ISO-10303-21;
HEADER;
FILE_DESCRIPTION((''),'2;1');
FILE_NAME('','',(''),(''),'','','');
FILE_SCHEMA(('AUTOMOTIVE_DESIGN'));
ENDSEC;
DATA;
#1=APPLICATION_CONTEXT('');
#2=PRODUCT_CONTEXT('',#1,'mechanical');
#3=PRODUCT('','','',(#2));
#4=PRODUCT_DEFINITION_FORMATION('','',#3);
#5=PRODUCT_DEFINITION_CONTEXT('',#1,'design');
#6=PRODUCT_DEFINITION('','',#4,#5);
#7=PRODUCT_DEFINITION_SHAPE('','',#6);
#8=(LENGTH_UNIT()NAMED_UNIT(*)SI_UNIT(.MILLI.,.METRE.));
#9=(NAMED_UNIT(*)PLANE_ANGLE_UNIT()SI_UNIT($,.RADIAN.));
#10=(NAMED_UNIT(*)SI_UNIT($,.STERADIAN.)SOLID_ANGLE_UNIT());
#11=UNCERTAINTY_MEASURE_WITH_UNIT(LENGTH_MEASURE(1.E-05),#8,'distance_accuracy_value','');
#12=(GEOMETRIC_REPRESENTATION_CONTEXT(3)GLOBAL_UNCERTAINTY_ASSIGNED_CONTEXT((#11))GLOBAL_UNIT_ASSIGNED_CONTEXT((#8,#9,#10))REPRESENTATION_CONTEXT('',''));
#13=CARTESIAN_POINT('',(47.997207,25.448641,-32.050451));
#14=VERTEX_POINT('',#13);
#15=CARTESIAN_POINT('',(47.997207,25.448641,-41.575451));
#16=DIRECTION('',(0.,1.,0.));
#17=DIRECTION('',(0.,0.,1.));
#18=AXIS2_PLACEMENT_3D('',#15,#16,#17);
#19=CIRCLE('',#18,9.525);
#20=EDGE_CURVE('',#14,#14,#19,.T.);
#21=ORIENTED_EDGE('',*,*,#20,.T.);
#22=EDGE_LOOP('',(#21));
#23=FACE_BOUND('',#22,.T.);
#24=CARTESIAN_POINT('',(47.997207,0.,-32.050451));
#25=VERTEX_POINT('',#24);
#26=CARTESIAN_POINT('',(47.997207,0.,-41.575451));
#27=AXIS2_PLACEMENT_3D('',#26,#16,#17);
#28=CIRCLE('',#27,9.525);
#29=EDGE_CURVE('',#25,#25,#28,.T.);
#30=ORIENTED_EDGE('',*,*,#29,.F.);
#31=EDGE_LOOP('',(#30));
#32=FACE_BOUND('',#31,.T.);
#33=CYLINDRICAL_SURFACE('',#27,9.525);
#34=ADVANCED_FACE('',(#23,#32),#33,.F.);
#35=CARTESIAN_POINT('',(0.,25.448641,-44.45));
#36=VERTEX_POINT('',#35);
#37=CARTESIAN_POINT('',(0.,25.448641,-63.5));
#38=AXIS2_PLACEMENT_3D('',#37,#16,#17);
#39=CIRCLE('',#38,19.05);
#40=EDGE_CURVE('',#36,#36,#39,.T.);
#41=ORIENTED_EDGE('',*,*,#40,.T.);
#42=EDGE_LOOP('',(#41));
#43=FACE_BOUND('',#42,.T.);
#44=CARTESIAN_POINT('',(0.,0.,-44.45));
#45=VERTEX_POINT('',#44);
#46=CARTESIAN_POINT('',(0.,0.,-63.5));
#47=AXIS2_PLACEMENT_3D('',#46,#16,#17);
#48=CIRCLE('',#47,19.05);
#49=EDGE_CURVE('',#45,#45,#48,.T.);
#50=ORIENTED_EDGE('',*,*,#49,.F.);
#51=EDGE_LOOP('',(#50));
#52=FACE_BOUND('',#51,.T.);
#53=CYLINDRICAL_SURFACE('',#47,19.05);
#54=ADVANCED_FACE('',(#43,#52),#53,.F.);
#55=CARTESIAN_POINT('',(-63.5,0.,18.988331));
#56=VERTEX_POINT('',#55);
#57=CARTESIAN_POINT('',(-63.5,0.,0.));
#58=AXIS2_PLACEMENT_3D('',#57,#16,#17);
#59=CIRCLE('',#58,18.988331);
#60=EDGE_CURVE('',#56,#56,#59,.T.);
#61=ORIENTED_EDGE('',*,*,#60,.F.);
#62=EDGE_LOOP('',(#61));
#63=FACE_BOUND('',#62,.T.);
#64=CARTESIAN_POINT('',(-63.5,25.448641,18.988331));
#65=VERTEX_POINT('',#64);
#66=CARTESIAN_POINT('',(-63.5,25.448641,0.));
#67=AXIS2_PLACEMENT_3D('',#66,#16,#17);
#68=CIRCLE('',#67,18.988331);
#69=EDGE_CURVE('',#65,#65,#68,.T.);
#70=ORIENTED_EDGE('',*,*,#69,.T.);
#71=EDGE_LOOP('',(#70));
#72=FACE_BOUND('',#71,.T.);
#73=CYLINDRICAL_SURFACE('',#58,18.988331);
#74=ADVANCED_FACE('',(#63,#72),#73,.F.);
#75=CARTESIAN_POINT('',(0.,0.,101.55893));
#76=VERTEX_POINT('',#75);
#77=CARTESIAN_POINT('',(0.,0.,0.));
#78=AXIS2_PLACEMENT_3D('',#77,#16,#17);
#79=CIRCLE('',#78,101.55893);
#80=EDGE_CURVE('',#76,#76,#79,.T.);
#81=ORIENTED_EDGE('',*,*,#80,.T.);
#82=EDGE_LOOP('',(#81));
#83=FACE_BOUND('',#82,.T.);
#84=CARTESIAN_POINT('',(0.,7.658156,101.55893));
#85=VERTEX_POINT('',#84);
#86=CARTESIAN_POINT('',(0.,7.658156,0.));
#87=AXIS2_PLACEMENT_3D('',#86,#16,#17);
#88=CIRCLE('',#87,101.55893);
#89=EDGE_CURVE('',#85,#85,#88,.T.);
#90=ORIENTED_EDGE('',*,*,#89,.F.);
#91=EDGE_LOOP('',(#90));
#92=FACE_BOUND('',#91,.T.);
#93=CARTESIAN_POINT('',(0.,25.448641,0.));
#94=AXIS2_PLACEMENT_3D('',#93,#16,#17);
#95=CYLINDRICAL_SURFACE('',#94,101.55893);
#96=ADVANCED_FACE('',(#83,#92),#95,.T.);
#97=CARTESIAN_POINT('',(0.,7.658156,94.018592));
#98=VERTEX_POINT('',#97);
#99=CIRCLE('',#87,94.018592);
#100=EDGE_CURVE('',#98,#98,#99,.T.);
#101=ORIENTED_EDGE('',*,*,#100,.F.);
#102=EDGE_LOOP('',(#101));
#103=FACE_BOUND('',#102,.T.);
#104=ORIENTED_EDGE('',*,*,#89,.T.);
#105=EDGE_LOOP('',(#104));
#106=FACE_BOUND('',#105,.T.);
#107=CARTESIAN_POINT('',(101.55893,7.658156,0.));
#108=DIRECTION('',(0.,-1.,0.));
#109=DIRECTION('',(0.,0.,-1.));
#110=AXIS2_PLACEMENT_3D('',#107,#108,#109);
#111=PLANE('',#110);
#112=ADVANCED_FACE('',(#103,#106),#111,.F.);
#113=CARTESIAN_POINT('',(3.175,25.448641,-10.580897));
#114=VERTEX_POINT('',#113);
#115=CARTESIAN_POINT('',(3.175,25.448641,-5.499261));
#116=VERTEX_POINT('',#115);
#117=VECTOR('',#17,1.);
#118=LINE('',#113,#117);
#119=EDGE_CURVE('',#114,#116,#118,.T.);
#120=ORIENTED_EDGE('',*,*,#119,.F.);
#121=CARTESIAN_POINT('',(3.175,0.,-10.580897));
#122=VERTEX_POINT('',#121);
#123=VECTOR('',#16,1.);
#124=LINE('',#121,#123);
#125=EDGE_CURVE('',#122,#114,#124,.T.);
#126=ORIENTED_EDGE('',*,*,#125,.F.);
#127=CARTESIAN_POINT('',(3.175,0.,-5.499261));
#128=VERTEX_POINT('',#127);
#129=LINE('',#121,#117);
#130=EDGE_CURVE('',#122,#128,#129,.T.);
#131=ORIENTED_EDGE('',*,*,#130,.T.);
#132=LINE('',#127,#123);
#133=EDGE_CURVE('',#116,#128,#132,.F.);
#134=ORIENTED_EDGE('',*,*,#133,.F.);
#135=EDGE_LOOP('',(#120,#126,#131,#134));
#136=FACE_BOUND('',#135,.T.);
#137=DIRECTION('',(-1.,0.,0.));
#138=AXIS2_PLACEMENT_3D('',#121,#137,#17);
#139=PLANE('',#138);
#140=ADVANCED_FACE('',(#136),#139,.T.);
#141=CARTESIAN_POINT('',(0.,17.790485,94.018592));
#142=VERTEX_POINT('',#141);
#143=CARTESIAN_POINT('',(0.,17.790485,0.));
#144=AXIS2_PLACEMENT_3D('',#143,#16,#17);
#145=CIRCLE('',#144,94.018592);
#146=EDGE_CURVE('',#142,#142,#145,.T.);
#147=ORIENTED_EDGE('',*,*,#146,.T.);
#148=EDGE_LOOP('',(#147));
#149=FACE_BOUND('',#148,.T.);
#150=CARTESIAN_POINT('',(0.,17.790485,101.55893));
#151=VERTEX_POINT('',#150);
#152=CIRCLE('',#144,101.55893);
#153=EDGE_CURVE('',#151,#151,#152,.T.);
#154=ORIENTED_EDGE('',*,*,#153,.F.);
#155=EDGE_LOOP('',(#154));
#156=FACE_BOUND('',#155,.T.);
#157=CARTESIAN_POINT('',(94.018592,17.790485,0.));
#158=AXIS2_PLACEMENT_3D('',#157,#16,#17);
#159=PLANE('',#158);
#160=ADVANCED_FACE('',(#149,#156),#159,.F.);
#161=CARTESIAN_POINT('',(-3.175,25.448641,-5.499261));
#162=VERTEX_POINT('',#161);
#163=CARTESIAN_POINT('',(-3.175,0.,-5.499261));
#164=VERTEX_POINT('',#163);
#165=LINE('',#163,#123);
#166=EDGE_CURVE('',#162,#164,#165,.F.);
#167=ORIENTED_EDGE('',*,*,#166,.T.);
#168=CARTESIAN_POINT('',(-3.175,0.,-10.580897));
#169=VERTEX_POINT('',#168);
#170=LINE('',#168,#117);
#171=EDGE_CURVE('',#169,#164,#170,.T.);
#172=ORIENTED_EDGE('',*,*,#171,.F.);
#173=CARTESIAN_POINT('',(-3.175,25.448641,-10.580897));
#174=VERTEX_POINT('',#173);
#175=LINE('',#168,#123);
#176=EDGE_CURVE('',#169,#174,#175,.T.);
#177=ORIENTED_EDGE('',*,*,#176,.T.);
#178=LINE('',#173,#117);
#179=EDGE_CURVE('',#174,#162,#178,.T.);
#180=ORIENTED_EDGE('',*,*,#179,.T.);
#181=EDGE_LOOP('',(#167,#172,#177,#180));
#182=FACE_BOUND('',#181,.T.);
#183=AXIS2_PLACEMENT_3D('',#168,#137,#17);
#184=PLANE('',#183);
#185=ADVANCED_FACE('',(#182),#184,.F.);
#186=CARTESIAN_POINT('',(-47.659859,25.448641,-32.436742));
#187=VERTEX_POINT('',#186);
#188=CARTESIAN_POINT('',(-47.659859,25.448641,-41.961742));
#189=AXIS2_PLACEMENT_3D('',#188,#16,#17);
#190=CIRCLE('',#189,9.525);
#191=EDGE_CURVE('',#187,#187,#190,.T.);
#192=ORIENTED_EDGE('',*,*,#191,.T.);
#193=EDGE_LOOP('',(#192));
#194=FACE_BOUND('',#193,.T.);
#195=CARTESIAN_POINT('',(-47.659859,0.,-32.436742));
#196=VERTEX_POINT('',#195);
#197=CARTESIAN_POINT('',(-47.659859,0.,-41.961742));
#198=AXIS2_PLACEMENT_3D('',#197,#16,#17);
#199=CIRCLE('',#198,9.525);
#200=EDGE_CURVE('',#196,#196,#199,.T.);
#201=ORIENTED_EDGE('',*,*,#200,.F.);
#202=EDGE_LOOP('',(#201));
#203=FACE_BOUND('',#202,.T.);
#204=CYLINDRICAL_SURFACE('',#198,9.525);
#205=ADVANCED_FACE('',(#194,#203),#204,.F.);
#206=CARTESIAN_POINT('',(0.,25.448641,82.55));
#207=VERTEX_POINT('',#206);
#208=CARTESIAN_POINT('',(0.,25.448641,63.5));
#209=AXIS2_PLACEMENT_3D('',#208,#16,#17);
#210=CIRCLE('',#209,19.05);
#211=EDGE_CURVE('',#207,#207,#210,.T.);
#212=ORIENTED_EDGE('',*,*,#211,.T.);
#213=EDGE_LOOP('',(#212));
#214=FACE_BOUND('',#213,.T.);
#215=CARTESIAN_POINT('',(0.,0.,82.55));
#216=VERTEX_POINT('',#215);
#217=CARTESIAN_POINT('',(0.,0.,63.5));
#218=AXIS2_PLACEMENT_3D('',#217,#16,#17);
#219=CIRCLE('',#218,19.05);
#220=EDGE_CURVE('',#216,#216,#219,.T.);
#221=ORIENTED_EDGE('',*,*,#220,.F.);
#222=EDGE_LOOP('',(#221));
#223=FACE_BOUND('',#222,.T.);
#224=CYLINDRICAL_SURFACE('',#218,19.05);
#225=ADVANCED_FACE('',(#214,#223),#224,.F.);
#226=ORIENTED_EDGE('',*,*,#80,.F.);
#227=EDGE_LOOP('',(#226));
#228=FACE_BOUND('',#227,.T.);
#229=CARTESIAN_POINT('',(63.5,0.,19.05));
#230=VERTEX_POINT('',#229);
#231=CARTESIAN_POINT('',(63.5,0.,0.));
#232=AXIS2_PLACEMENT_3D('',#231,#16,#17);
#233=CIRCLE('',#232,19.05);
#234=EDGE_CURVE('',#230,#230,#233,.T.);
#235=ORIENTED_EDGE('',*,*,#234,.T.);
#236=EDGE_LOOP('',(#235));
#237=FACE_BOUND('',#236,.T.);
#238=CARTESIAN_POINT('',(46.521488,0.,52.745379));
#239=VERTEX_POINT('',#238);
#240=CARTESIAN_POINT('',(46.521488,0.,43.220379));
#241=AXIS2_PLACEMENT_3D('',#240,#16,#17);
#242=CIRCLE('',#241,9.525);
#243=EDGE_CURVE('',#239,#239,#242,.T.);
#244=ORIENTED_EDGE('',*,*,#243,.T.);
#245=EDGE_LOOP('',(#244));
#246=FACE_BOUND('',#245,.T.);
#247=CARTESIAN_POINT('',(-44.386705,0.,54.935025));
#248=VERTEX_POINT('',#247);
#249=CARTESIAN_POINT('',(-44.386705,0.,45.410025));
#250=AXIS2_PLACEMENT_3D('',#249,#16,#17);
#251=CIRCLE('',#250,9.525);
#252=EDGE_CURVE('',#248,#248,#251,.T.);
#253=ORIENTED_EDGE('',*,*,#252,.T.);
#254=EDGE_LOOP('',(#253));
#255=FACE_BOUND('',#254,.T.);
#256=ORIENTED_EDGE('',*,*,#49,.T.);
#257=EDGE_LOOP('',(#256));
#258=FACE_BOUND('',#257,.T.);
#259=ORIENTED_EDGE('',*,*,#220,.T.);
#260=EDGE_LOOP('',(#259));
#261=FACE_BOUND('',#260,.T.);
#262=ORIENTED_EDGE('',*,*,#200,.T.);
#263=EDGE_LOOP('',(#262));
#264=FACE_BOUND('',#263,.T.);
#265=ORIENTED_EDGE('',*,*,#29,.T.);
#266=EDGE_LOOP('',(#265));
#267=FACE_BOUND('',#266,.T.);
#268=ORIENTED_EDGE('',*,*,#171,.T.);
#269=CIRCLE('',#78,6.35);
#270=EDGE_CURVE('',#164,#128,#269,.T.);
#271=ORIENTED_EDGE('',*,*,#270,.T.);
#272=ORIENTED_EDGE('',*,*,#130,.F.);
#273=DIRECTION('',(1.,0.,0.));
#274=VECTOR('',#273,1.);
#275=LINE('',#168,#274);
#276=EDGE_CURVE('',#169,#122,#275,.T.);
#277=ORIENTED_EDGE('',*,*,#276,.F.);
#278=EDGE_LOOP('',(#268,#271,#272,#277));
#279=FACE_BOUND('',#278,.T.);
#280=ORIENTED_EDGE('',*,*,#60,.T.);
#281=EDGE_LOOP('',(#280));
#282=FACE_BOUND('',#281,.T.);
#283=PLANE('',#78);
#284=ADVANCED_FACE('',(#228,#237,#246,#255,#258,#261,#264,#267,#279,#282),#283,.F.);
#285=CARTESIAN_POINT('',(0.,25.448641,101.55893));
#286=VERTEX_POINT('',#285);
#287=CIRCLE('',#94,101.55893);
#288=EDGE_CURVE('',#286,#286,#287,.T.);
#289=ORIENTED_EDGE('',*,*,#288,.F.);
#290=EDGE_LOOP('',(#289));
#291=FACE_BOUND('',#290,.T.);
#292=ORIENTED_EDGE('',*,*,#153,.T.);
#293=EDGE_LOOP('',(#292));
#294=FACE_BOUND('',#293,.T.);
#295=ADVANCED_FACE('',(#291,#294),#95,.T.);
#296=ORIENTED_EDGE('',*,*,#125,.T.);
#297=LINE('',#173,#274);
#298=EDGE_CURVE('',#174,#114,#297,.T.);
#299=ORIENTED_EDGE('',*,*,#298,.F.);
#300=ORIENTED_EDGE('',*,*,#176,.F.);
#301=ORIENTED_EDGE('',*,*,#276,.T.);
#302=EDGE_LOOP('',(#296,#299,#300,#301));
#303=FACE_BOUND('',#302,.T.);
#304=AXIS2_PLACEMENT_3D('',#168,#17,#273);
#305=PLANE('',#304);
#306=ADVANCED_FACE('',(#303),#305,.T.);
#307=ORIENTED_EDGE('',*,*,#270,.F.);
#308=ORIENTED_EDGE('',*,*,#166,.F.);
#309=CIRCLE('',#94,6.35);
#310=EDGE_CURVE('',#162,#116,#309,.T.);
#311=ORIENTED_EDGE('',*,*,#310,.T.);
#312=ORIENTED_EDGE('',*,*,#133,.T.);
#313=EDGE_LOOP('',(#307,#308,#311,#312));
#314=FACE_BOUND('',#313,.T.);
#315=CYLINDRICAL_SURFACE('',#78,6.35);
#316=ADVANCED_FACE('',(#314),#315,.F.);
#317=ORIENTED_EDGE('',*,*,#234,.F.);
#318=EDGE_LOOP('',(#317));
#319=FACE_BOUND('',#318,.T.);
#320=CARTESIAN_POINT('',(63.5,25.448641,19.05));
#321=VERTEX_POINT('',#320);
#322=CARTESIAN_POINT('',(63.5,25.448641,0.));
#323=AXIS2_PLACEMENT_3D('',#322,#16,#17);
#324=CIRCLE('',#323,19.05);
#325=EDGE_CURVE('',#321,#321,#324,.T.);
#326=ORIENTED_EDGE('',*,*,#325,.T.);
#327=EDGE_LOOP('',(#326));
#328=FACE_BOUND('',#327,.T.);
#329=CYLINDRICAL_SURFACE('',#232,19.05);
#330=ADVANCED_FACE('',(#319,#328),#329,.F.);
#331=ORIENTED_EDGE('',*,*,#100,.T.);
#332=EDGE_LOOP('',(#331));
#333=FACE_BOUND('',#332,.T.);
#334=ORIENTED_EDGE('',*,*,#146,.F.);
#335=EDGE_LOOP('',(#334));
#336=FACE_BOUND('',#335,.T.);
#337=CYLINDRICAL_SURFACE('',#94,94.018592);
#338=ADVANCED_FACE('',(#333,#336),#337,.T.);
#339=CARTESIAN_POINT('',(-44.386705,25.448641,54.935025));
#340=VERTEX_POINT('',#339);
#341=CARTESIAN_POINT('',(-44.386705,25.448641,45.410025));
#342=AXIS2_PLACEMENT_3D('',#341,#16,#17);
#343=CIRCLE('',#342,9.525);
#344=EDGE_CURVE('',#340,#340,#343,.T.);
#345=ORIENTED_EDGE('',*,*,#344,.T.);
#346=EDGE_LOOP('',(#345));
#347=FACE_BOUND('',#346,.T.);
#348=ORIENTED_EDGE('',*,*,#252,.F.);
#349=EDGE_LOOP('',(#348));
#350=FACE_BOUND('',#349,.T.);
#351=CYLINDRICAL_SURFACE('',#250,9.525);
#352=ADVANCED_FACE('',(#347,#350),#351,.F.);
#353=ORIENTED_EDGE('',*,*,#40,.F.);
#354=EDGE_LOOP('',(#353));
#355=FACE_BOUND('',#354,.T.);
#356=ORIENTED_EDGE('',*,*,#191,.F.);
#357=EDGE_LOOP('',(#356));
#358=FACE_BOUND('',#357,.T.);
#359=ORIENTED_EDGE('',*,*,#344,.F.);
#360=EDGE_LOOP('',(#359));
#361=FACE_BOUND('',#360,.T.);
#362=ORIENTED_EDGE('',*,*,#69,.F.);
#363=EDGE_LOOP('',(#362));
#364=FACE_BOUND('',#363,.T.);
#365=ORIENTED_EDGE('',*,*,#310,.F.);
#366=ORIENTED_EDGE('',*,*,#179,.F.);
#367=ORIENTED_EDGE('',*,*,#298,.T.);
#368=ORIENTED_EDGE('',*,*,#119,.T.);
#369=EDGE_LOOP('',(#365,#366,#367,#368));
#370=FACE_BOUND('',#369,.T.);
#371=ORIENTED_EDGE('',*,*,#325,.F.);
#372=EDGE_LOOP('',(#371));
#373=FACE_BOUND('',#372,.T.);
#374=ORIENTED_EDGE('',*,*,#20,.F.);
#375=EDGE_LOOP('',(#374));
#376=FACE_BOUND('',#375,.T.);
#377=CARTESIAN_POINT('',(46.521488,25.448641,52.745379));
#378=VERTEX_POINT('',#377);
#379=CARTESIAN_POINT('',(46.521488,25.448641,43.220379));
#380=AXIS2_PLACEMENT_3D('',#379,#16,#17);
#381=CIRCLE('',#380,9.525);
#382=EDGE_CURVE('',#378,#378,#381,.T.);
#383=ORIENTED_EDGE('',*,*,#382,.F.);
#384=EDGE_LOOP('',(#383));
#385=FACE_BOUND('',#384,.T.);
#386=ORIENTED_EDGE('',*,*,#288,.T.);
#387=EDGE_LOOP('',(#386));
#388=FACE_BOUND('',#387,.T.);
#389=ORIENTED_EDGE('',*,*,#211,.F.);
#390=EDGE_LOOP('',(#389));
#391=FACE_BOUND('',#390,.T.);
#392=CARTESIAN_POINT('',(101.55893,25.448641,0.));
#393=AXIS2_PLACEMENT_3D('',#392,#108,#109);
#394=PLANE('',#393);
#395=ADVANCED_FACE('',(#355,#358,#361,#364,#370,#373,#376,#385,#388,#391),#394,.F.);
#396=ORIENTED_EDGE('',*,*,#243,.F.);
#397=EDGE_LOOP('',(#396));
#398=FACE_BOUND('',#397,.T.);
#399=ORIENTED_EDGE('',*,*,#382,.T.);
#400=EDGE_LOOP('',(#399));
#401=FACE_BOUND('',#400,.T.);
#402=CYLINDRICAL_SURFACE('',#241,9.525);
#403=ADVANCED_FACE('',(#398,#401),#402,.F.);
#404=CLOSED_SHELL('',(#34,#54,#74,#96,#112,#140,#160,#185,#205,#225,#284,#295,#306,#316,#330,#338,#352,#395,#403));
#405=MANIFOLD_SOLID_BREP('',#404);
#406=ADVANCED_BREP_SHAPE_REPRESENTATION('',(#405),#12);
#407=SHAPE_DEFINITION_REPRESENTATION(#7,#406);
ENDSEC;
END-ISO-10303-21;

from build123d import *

# Parameters (mm, degrees)
SKETCH3_R          = 19.05
SKETCH3_R_2        = 9.525
SKETCH3_R_3        = 18.988330579
CUT_EXTRUDE2_DEPTH = 146.863175777


with BuildPart() as part:
    # Sketch1 → Revolve1 (revolve)
    with BuildSketch(Plane.XY, mode=Mode.PRIVATE) as revolve1_sk:
        Polygon((0, 0), (101.558930414, 0), (101.558930414, 7.658156006), (94.018592193, 7.658156006), (94.018592193, 17.79048549), (101.558930414, 17.79048549), (101.558930414, 25.448641496), (0, 25.448641496), align=None)
    revolve(revolve1_sk.sketch.rotate(Axis((0, 25.448641496, 0), (0, -1, 0)), 90), axis=Axis((0, 25.448641496, 0), (0, -1, 0)))

    # Sketch3 → Cut-Extrude2 (cut, through all)
    with BuildSketch(Plane(origin=(0, 25.448641496, 0), x_dir=(1, 0, 0), z_dir=(0, 1, 0))):
        with BuildLine():
            Line((3.175, 10.580896572), (-3.175, 10.580896572))
            Line((-3.175, 10.580896572), (-3.175, 5.499261314))
            ThreePointArc((-3.175, 5.499261314), (0, -6.35), (3.175, 5.499261314))
            Line((3.175, 5.499261314), (3.175, 10.580896572))
        make_face()
        with Locations(Location((63.5, 0, 0), (0, 0, 270))):
            Circle(SKETCH3_R)
        with Locations(Location((47.997207269, 41.575450622, 0), (0, 0, 270))):
            Circle(SKETCH3_R_2)
        with Locations(Location((46.521487533, -43.220379426, 0), (0, 0, 270))):
            Circle(SKETCH3_R_2)
        with Locations(Location((0, 63.5, 0), (0, 0, 270))):
            Circle(SKETCH3_R)
        with Locations(Location((0, -63.5, 0), (0, 0, 270))):
            Circle(SKETCH3_R)
        with Locations(Location((-47.659859298, 41.961742239, 0), (0, 0, 270))):
            Circle(SKETCH3_R_2)
        with Locations(Location((-44.386705472, -45.410025075, 0), (0, 0, 270))):
            Circle(SKETCH3_R_2)
        with Locations(Location((-63.5, 0, 0), (0, 0, 270))):
            Circle(SKETCH3_R_3)
    extrude(amount=-CUT_EXTRUDE2_DEPTH, mode=Mode.SUBTRACT)


solid = part.part
